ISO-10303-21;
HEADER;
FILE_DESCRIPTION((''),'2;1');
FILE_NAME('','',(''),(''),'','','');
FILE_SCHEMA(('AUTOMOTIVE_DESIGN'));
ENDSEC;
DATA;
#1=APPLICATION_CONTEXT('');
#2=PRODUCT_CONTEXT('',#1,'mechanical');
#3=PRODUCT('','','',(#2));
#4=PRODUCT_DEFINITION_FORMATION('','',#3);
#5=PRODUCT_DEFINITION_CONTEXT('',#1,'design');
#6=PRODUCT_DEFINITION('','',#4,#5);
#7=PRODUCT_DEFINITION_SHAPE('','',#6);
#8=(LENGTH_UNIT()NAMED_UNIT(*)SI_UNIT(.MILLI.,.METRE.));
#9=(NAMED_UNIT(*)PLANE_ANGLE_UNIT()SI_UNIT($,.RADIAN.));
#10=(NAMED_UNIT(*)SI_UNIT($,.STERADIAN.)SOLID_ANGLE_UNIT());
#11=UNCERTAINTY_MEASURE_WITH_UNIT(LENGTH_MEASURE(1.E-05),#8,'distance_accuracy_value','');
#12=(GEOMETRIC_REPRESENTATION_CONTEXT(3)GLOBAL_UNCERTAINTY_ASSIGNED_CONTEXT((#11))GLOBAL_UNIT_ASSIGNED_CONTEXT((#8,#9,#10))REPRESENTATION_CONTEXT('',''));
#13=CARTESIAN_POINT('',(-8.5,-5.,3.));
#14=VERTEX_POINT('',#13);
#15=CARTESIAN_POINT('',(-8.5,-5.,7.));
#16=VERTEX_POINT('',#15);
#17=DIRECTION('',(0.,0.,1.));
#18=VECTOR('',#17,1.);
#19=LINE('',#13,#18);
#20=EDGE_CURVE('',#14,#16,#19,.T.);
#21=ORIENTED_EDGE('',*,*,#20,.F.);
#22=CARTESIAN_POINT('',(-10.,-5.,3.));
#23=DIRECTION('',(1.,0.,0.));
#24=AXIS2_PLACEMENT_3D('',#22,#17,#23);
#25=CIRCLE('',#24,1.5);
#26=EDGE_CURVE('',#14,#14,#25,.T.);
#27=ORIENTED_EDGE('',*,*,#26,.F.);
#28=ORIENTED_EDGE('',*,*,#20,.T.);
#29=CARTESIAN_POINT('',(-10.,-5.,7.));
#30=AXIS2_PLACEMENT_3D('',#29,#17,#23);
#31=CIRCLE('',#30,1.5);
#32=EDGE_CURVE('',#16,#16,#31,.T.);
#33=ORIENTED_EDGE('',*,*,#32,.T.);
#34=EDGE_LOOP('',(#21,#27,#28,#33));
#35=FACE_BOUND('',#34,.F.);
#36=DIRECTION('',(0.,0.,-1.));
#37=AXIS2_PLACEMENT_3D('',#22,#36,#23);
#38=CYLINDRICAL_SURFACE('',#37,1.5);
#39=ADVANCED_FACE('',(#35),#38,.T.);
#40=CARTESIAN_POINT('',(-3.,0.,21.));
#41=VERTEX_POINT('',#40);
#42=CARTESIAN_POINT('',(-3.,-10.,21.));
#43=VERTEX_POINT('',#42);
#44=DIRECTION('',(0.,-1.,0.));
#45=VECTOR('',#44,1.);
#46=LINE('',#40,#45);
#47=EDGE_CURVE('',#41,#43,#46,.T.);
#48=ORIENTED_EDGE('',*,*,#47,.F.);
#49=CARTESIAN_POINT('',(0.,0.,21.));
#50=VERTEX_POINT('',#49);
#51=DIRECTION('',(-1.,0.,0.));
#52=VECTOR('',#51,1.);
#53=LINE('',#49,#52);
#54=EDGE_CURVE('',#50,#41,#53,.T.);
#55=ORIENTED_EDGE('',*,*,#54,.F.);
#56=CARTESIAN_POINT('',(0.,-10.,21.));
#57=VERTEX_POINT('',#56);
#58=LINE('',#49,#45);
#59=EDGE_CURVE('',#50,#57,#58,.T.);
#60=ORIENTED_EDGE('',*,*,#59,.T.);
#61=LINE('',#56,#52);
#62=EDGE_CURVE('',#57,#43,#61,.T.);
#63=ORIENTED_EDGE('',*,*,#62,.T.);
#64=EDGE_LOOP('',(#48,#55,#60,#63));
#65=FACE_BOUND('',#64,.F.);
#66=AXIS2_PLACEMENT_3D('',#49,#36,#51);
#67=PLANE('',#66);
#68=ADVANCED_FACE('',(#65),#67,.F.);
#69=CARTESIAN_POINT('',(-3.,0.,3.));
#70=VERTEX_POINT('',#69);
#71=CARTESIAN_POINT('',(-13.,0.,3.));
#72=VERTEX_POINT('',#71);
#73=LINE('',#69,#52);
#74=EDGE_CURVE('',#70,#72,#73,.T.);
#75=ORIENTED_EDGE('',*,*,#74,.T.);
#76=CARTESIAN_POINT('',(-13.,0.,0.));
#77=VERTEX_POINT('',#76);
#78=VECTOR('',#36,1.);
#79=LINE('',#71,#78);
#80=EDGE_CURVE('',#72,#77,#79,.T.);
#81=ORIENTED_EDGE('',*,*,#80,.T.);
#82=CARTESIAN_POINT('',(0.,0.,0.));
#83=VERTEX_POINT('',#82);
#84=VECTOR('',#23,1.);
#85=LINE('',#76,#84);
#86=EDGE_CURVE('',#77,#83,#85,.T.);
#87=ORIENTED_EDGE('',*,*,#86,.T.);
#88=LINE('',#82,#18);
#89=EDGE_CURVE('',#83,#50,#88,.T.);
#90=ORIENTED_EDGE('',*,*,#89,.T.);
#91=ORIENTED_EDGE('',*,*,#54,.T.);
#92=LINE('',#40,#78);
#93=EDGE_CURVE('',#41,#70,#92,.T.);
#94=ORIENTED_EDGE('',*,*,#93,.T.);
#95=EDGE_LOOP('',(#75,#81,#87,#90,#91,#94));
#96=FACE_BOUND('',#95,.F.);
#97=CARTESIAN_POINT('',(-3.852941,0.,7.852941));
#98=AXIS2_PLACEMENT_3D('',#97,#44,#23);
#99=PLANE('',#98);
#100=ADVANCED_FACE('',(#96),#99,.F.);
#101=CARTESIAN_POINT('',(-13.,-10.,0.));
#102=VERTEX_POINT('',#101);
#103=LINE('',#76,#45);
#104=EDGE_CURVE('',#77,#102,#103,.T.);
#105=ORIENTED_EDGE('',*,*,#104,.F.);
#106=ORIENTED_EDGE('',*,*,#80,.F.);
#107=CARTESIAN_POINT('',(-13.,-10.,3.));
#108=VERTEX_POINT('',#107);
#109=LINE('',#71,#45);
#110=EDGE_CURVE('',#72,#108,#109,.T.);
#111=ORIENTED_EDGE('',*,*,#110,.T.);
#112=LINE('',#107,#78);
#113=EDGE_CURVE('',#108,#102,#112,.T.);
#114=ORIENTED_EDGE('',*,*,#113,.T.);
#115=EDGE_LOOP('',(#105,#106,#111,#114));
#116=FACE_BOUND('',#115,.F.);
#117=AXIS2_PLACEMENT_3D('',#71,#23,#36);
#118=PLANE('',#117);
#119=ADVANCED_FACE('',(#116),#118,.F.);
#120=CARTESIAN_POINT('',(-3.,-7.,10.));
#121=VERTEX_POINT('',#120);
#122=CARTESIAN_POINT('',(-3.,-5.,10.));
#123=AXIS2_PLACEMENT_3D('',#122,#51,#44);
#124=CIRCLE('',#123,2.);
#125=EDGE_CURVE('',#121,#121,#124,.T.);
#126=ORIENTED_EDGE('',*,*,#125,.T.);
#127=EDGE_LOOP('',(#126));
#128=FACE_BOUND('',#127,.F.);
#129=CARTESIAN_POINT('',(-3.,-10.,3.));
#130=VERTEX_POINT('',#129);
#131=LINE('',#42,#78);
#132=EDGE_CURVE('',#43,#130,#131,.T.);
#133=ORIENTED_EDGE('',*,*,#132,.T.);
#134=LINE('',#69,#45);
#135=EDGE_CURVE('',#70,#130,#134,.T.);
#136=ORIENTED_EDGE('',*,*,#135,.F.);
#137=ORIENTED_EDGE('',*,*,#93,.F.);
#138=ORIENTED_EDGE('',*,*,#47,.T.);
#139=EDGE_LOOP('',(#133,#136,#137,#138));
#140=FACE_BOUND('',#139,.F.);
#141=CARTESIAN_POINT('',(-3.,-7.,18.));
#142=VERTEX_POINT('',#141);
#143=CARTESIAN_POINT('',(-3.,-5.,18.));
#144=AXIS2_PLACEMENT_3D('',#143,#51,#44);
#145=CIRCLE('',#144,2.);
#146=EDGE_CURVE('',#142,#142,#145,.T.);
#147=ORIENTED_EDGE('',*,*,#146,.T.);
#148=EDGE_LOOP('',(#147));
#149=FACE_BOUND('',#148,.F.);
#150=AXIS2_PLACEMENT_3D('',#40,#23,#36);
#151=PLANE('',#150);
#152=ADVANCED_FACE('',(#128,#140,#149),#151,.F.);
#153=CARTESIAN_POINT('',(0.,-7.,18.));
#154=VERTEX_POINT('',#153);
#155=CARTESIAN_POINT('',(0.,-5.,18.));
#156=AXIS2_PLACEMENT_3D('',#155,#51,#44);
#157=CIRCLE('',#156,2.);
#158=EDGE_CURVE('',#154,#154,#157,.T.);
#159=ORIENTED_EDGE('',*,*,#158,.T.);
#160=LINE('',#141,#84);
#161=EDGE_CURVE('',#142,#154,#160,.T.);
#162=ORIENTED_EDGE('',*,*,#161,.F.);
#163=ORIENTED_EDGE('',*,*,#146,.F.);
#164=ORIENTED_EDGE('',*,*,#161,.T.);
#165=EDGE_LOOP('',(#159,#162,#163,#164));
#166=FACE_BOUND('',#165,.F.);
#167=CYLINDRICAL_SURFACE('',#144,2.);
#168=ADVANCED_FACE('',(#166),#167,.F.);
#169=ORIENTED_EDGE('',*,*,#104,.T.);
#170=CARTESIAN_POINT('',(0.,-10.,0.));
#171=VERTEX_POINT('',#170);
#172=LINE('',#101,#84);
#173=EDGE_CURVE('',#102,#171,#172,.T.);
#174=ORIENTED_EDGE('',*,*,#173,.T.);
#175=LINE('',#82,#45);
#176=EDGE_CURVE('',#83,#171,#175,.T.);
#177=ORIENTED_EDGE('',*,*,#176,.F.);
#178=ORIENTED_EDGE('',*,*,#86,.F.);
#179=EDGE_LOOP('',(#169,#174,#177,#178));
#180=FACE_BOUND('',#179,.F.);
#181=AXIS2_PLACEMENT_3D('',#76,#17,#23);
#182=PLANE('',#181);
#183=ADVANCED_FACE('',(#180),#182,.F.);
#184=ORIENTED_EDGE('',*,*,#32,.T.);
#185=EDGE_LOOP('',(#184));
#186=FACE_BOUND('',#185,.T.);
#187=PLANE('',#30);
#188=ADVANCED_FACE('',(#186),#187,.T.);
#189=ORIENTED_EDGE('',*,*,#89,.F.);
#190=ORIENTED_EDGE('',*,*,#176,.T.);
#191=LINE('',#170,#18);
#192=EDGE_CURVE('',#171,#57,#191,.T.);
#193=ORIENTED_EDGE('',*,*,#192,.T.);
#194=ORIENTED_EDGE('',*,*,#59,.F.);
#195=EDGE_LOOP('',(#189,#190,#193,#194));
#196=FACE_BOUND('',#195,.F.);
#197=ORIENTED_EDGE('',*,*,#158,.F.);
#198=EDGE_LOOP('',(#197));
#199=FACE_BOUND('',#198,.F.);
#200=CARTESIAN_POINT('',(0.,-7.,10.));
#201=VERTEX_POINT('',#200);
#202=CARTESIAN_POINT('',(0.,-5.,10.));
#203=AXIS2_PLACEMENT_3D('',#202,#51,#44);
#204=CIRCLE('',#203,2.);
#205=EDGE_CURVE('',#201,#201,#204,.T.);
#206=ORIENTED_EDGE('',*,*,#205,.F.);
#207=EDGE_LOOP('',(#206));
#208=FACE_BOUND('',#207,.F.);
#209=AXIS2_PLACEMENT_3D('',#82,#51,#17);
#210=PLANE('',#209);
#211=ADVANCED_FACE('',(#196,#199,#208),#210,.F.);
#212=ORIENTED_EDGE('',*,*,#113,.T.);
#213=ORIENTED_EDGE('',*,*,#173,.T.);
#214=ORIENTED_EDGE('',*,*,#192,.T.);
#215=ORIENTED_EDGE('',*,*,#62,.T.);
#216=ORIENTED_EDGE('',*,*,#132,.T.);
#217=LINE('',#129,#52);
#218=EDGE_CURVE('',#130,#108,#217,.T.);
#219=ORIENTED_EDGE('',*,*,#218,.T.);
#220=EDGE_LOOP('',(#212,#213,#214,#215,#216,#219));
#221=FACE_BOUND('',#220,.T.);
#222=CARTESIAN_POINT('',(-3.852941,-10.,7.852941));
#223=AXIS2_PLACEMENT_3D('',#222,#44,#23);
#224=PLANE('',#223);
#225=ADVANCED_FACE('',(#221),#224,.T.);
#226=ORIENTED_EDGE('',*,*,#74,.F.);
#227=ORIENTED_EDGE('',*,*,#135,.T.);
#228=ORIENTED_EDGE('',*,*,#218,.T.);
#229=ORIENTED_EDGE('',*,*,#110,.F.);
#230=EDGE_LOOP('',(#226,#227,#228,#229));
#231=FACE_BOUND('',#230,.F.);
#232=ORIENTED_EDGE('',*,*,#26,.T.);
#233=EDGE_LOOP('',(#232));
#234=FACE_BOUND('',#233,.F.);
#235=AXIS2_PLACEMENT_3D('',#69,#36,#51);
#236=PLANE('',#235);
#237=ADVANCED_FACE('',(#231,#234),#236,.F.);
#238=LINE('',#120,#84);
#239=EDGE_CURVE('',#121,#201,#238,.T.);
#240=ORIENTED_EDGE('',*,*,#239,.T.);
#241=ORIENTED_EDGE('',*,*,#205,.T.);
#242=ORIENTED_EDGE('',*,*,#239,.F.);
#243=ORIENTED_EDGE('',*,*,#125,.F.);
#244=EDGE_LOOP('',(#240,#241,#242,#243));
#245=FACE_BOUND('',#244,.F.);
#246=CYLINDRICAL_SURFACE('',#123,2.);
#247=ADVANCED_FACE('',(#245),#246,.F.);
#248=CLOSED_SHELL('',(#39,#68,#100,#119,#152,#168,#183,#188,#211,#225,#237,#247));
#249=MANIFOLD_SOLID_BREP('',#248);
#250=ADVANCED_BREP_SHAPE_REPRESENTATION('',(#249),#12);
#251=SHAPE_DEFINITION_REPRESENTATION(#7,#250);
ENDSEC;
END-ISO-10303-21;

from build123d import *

# Parameters (mm, degrees)
F1_DEPTH = 10
F2_R     = 2
F3_DEPTH = 25
F4_R     = 1.5
F5_DEPTH = 4


with BuildPart() as f1:
    # F0 (on Front) → F1 (new body)
    with BuildSketch(Plane.XZ):
        Polygon((-13, 0), (0, 0), (0, 21), (-3, 21), (-3, 3), (-13, 3), align=None)
    extrude(amount=F1_DEPTH)

    # F2 (on face) → F3 (cut)
    with BuildSketch(Plane(origin=(-3, 0, 0), x_dir=(0, -1, 0), z_dir=(-1, 0, 0))):
        with Locations((5, 18)):
            Circle(F2_R)
        with Locations((5, 10)):
            Circle(F2_R)
    extrude(amount=-F3_DEPTH, mode=Mode.SUBTRACT)

    # F4 (on face) → F5 (join)
    with BuildSketch(Plane.XY.offset(3)):
        with Locations((-10, -5)):
            Circle(F4_R)
    extrude(amount=F5_DEPTH)


solid = f1.part
